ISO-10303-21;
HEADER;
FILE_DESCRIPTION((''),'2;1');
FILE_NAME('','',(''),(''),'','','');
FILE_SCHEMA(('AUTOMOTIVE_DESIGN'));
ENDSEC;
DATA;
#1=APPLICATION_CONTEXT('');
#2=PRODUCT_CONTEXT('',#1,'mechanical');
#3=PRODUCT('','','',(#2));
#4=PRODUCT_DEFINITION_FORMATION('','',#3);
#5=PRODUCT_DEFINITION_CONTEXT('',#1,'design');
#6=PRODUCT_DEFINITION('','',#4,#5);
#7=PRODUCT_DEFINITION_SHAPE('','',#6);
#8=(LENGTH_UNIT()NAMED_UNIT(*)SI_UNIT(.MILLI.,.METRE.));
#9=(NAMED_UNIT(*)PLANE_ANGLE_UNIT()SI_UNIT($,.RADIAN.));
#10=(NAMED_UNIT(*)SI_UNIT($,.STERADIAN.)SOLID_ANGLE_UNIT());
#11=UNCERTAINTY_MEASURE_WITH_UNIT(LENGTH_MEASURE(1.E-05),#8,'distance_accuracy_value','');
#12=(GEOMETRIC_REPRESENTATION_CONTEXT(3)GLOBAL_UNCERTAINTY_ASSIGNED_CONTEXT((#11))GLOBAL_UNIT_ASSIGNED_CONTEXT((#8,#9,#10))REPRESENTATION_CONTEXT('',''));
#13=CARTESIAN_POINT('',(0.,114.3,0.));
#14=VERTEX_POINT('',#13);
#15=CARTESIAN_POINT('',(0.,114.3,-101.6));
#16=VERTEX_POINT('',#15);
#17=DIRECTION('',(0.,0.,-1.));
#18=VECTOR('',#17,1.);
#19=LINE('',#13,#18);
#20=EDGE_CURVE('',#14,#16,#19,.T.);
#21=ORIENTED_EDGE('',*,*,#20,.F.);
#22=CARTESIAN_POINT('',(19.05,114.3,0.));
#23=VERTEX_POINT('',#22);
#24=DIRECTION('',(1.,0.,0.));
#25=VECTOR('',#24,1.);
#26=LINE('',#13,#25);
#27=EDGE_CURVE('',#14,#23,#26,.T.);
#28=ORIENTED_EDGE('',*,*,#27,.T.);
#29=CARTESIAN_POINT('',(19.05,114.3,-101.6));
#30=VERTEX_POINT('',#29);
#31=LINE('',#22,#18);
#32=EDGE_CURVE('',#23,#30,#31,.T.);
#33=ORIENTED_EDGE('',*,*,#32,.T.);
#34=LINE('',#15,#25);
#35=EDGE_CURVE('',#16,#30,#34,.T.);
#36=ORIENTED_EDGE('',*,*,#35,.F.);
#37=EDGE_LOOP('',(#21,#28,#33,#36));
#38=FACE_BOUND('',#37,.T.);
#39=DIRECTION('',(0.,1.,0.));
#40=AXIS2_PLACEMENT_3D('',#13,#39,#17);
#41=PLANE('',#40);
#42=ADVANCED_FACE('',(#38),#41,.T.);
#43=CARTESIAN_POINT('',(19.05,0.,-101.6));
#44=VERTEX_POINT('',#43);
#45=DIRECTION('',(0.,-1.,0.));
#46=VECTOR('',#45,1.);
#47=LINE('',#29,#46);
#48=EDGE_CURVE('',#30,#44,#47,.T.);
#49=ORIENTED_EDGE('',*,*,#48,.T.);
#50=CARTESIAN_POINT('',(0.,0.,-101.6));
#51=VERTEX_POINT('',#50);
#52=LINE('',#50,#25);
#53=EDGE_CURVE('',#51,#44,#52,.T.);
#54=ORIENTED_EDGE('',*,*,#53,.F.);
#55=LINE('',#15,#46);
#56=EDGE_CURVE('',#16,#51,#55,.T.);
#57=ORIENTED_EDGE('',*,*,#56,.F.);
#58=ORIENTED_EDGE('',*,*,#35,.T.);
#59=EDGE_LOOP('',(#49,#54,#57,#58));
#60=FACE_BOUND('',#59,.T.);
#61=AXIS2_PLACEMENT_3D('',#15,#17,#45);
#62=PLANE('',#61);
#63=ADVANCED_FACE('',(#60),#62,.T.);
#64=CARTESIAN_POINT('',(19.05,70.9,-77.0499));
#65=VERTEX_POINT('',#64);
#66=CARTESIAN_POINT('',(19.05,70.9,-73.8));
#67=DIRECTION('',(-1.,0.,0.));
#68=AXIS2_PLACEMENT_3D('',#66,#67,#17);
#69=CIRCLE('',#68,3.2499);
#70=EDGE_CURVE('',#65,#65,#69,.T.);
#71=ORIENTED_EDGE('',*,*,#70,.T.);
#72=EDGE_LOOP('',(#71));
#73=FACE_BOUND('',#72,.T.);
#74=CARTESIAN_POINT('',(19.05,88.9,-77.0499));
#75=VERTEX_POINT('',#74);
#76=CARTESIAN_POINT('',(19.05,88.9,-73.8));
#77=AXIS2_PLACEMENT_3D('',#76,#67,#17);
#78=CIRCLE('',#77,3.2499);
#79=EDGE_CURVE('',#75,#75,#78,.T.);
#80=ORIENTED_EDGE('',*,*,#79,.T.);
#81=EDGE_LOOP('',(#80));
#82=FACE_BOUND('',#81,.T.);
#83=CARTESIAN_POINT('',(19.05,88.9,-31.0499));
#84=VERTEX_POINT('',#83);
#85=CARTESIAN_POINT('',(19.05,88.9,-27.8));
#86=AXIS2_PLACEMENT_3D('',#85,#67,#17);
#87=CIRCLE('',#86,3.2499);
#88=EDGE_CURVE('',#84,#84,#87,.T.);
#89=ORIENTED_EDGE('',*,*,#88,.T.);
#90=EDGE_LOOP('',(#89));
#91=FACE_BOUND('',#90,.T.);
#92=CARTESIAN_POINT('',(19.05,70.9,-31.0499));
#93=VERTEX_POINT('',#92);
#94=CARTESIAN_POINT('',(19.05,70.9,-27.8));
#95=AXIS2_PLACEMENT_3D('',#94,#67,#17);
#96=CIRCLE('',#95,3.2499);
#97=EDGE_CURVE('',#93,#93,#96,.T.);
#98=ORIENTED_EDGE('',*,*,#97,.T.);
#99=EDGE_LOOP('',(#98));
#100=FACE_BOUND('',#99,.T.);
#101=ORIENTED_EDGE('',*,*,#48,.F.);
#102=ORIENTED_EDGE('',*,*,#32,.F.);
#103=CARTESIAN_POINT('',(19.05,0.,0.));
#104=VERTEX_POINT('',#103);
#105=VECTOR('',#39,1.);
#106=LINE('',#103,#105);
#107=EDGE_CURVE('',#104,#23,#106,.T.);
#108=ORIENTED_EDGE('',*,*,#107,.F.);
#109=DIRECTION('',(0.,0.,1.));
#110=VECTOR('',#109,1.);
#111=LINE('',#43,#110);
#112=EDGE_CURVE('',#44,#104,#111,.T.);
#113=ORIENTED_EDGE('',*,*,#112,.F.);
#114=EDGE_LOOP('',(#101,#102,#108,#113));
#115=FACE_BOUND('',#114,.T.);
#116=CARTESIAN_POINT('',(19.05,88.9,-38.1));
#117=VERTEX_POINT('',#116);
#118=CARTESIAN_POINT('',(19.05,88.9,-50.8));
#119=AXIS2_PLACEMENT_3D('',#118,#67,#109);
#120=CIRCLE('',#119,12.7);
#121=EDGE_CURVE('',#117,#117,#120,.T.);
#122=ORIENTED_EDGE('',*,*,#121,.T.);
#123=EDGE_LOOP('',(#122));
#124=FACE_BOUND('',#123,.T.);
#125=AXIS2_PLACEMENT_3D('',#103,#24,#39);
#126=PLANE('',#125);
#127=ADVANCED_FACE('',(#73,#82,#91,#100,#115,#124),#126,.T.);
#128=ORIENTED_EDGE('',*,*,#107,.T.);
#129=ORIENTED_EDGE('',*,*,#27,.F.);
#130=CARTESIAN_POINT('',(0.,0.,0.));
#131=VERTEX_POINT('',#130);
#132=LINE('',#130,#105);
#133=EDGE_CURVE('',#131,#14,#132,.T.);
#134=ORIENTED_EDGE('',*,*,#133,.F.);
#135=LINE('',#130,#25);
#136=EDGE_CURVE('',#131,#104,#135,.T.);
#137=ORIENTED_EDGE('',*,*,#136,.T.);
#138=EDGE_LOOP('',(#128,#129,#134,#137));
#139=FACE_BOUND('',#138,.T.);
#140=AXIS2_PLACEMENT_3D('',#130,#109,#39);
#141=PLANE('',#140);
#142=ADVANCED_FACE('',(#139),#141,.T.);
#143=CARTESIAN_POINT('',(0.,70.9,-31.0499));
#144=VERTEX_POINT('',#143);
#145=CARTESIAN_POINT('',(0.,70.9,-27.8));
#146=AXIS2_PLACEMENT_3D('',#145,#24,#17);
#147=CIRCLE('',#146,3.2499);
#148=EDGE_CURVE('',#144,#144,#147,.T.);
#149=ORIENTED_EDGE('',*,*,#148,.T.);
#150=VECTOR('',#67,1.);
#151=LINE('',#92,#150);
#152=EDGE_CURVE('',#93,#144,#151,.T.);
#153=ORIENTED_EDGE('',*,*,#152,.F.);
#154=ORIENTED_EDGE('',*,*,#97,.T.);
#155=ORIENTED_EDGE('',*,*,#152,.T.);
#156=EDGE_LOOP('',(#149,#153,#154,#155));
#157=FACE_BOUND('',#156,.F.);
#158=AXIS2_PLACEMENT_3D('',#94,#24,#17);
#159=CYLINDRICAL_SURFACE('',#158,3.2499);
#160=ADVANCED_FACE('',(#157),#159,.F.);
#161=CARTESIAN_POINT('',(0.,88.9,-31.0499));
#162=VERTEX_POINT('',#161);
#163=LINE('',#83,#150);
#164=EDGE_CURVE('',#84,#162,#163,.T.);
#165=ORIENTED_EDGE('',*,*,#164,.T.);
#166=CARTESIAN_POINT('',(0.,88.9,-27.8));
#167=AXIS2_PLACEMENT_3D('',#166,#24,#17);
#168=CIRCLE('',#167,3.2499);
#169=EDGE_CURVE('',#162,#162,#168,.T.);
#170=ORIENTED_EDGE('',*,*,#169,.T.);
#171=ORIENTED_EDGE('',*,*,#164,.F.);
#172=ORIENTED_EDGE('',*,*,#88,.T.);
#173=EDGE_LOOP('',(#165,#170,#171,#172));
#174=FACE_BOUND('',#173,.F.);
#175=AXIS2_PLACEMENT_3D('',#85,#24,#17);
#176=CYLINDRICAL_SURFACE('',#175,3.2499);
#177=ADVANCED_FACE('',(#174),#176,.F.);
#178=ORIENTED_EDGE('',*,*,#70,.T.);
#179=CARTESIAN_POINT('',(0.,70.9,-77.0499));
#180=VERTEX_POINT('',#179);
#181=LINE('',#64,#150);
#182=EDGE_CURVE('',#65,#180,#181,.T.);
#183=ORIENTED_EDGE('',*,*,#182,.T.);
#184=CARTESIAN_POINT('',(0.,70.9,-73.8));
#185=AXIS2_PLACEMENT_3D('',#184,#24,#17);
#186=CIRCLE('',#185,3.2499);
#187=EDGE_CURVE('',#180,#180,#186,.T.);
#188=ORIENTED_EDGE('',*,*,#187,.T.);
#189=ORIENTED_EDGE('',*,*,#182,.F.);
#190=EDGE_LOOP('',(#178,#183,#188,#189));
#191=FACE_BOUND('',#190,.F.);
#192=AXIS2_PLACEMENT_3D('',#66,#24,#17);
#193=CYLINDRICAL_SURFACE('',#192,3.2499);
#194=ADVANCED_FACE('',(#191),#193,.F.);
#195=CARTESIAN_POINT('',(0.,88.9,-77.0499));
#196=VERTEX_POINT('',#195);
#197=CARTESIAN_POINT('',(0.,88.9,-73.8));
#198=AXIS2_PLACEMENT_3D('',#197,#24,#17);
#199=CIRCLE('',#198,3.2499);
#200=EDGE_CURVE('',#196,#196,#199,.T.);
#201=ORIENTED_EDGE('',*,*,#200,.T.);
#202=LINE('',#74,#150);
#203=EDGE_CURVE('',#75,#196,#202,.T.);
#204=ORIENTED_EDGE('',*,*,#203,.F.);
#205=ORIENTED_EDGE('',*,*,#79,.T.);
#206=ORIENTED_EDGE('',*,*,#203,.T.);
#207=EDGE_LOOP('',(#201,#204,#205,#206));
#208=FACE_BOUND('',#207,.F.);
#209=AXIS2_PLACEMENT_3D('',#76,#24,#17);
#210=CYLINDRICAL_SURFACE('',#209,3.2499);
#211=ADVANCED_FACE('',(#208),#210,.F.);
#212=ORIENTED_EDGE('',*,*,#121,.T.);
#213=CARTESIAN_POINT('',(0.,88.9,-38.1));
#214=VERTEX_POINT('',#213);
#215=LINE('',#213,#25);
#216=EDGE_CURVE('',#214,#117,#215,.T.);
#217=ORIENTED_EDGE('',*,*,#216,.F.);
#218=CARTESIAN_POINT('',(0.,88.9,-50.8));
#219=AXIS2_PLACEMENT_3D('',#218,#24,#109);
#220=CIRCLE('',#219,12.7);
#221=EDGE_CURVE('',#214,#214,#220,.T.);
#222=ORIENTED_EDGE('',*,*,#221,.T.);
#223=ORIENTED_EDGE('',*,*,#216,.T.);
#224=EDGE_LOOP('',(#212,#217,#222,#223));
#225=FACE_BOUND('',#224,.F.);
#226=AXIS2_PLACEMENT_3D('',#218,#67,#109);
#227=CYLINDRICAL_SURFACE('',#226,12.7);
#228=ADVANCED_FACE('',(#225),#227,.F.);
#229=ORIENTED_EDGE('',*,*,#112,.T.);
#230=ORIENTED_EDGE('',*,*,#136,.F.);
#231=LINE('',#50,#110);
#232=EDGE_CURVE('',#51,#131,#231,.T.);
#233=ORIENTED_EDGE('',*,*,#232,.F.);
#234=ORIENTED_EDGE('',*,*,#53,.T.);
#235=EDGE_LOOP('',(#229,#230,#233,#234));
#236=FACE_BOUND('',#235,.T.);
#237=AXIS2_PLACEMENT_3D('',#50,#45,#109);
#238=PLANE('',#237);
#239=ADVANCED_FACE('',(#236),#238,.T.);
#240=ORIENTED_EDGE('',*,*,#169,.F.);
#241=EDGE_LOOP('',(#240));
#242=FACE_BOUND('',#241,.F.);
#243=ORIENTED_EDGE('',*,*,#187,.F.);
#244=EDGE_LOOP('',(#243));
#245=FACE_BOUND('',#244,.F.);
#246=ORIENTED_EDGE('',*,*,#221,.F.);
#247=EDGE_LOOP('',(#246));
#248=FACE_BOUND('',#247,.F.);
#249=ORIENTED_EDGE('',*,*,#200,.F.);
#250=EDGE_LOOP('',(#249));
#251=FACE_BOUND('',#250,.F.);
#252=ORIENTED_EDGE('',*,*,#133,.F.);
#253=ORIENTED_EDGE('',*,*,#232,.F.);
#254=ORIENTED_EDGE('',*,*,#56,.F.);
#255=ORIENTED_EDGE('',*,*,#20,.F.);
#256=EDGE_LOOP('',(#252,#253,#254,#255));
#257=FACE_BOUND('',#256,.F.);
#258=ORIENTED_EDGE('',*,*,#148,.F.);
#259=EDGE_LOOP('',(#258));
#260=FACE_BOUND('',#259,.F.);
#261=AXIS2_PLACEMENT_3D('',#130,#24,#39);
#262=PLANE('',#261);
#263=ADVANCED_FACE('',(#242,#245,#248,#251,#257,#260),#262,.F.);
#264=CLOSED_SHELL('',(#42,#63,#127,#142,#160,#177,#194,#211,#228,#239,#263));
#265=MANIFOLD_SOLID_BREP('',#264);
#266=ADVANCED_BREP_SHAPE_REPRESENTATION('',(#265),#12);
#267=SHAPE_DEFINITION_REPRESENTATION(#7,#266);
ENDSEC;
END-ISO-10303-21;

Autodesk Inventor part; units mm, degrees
ref_plane "YZ Plane" through (0, 0, 0) normal (1, 0, 0) x (0, 1, 0)
ref_plane "XZ Plane" through (0, 0, 0) normal (0, 1, 0) x (-1, 0, 0)
ref_plane "XY Plane" through (0, 0, 0) normal (0, 0, 1) x (1, 0, 0)
sketch "Sketch1" plane through (0, 0, 0) normal (1, 0, 0) x (0, 1, 0)
  line L0 (0, 0) -> (114.3, 0)
  line L1 (114.3, 0) -> (114.3, -101.6)
  line L2 (114.3, -101.6) -> (0, -101.6)
  line L3 (0, -101.6) -> (0, 0)
  dimension "d0" = 114.3
  dimension "d1" = 101.6
extrude "Extrusion1" add sketch "Sketch1" along normal blind 19.05
sketch "Sketch2" plane through (19.05, 0, 0) normal (1, 0, 0) x (0, 0, -1)
  circle A0 centre (27.8, 88.9) radius 3.2499
  circle A1 centre (73.8, 88.9) radius 3.2499
  circle A2 centre (73.8, 70.9) radius 3.2499
  circle A3 centre (27.8, 70.9) radius 3.2499
  line L0 (27.8, 88.9) -> (27.8, 70.9)
  line L1 (27.8, 88.9) -> (73.8, 88.9)
  line L2 (27.8, 70.9) -> (73.8, 70.9)
  line L3 (73.8, 70.9) -> (73.8, 88.9)
  line L4 (0, 114.3) -> (0, 0) projected
  line L5 (101.6, 0) -> (101.6, 114.3) projected
  line L6 (101.6, 114.3) -> (0, 114.3) projected
  dimension "d4" = 6.4999
  dimension "d5" = 6.4999
  dimension "d6" = 6.4999
  dimension "d7" = 6.4999
  dimension "d8" = 46
  dimension "d9" = 18
  dimension "d10" = 27.8
  dimension "d11" = 101.6
  dimension "d12" = 25.4
extrude "Extrusion2" cut sketch "Sketch2" against normal blind 19.05 contours L1 L0 A0 | A0 L0 L1 | L1 L3 A1 | A1 L3 L1 | L0 L2 A3 | A3 L2 L0 | L3 L2 A2 | A2 L2 L3
sketch "Sketch4" plane through (0, 0, 0) normal (-1, 0, 0) x (0, 0, 1)
  circle A0 centre (-50.8, 88.9) radius 12.7
  line L0 (-101.6, 114.3) -> (0, 114.3) projected
  circle A1 centre (-73.8, 88.9) radius 3.2499 projected
  circle A2 centre (-27.8, 88.9) radius 3.2499 projected
  line L1 (-73.8, 88.9) -> (-27.8, 88.9)
  point P0 (0, 0)
  dimension "d15" = 25.4
extrude "Extrusion3" cut sketch "Sketch4" against normal blind 19.05 contours L1 A0 | A0 L1
equation "\"d10\" = -0.5 * d8 + 0.5 * d11"
properties part number "X Axis Plate"
